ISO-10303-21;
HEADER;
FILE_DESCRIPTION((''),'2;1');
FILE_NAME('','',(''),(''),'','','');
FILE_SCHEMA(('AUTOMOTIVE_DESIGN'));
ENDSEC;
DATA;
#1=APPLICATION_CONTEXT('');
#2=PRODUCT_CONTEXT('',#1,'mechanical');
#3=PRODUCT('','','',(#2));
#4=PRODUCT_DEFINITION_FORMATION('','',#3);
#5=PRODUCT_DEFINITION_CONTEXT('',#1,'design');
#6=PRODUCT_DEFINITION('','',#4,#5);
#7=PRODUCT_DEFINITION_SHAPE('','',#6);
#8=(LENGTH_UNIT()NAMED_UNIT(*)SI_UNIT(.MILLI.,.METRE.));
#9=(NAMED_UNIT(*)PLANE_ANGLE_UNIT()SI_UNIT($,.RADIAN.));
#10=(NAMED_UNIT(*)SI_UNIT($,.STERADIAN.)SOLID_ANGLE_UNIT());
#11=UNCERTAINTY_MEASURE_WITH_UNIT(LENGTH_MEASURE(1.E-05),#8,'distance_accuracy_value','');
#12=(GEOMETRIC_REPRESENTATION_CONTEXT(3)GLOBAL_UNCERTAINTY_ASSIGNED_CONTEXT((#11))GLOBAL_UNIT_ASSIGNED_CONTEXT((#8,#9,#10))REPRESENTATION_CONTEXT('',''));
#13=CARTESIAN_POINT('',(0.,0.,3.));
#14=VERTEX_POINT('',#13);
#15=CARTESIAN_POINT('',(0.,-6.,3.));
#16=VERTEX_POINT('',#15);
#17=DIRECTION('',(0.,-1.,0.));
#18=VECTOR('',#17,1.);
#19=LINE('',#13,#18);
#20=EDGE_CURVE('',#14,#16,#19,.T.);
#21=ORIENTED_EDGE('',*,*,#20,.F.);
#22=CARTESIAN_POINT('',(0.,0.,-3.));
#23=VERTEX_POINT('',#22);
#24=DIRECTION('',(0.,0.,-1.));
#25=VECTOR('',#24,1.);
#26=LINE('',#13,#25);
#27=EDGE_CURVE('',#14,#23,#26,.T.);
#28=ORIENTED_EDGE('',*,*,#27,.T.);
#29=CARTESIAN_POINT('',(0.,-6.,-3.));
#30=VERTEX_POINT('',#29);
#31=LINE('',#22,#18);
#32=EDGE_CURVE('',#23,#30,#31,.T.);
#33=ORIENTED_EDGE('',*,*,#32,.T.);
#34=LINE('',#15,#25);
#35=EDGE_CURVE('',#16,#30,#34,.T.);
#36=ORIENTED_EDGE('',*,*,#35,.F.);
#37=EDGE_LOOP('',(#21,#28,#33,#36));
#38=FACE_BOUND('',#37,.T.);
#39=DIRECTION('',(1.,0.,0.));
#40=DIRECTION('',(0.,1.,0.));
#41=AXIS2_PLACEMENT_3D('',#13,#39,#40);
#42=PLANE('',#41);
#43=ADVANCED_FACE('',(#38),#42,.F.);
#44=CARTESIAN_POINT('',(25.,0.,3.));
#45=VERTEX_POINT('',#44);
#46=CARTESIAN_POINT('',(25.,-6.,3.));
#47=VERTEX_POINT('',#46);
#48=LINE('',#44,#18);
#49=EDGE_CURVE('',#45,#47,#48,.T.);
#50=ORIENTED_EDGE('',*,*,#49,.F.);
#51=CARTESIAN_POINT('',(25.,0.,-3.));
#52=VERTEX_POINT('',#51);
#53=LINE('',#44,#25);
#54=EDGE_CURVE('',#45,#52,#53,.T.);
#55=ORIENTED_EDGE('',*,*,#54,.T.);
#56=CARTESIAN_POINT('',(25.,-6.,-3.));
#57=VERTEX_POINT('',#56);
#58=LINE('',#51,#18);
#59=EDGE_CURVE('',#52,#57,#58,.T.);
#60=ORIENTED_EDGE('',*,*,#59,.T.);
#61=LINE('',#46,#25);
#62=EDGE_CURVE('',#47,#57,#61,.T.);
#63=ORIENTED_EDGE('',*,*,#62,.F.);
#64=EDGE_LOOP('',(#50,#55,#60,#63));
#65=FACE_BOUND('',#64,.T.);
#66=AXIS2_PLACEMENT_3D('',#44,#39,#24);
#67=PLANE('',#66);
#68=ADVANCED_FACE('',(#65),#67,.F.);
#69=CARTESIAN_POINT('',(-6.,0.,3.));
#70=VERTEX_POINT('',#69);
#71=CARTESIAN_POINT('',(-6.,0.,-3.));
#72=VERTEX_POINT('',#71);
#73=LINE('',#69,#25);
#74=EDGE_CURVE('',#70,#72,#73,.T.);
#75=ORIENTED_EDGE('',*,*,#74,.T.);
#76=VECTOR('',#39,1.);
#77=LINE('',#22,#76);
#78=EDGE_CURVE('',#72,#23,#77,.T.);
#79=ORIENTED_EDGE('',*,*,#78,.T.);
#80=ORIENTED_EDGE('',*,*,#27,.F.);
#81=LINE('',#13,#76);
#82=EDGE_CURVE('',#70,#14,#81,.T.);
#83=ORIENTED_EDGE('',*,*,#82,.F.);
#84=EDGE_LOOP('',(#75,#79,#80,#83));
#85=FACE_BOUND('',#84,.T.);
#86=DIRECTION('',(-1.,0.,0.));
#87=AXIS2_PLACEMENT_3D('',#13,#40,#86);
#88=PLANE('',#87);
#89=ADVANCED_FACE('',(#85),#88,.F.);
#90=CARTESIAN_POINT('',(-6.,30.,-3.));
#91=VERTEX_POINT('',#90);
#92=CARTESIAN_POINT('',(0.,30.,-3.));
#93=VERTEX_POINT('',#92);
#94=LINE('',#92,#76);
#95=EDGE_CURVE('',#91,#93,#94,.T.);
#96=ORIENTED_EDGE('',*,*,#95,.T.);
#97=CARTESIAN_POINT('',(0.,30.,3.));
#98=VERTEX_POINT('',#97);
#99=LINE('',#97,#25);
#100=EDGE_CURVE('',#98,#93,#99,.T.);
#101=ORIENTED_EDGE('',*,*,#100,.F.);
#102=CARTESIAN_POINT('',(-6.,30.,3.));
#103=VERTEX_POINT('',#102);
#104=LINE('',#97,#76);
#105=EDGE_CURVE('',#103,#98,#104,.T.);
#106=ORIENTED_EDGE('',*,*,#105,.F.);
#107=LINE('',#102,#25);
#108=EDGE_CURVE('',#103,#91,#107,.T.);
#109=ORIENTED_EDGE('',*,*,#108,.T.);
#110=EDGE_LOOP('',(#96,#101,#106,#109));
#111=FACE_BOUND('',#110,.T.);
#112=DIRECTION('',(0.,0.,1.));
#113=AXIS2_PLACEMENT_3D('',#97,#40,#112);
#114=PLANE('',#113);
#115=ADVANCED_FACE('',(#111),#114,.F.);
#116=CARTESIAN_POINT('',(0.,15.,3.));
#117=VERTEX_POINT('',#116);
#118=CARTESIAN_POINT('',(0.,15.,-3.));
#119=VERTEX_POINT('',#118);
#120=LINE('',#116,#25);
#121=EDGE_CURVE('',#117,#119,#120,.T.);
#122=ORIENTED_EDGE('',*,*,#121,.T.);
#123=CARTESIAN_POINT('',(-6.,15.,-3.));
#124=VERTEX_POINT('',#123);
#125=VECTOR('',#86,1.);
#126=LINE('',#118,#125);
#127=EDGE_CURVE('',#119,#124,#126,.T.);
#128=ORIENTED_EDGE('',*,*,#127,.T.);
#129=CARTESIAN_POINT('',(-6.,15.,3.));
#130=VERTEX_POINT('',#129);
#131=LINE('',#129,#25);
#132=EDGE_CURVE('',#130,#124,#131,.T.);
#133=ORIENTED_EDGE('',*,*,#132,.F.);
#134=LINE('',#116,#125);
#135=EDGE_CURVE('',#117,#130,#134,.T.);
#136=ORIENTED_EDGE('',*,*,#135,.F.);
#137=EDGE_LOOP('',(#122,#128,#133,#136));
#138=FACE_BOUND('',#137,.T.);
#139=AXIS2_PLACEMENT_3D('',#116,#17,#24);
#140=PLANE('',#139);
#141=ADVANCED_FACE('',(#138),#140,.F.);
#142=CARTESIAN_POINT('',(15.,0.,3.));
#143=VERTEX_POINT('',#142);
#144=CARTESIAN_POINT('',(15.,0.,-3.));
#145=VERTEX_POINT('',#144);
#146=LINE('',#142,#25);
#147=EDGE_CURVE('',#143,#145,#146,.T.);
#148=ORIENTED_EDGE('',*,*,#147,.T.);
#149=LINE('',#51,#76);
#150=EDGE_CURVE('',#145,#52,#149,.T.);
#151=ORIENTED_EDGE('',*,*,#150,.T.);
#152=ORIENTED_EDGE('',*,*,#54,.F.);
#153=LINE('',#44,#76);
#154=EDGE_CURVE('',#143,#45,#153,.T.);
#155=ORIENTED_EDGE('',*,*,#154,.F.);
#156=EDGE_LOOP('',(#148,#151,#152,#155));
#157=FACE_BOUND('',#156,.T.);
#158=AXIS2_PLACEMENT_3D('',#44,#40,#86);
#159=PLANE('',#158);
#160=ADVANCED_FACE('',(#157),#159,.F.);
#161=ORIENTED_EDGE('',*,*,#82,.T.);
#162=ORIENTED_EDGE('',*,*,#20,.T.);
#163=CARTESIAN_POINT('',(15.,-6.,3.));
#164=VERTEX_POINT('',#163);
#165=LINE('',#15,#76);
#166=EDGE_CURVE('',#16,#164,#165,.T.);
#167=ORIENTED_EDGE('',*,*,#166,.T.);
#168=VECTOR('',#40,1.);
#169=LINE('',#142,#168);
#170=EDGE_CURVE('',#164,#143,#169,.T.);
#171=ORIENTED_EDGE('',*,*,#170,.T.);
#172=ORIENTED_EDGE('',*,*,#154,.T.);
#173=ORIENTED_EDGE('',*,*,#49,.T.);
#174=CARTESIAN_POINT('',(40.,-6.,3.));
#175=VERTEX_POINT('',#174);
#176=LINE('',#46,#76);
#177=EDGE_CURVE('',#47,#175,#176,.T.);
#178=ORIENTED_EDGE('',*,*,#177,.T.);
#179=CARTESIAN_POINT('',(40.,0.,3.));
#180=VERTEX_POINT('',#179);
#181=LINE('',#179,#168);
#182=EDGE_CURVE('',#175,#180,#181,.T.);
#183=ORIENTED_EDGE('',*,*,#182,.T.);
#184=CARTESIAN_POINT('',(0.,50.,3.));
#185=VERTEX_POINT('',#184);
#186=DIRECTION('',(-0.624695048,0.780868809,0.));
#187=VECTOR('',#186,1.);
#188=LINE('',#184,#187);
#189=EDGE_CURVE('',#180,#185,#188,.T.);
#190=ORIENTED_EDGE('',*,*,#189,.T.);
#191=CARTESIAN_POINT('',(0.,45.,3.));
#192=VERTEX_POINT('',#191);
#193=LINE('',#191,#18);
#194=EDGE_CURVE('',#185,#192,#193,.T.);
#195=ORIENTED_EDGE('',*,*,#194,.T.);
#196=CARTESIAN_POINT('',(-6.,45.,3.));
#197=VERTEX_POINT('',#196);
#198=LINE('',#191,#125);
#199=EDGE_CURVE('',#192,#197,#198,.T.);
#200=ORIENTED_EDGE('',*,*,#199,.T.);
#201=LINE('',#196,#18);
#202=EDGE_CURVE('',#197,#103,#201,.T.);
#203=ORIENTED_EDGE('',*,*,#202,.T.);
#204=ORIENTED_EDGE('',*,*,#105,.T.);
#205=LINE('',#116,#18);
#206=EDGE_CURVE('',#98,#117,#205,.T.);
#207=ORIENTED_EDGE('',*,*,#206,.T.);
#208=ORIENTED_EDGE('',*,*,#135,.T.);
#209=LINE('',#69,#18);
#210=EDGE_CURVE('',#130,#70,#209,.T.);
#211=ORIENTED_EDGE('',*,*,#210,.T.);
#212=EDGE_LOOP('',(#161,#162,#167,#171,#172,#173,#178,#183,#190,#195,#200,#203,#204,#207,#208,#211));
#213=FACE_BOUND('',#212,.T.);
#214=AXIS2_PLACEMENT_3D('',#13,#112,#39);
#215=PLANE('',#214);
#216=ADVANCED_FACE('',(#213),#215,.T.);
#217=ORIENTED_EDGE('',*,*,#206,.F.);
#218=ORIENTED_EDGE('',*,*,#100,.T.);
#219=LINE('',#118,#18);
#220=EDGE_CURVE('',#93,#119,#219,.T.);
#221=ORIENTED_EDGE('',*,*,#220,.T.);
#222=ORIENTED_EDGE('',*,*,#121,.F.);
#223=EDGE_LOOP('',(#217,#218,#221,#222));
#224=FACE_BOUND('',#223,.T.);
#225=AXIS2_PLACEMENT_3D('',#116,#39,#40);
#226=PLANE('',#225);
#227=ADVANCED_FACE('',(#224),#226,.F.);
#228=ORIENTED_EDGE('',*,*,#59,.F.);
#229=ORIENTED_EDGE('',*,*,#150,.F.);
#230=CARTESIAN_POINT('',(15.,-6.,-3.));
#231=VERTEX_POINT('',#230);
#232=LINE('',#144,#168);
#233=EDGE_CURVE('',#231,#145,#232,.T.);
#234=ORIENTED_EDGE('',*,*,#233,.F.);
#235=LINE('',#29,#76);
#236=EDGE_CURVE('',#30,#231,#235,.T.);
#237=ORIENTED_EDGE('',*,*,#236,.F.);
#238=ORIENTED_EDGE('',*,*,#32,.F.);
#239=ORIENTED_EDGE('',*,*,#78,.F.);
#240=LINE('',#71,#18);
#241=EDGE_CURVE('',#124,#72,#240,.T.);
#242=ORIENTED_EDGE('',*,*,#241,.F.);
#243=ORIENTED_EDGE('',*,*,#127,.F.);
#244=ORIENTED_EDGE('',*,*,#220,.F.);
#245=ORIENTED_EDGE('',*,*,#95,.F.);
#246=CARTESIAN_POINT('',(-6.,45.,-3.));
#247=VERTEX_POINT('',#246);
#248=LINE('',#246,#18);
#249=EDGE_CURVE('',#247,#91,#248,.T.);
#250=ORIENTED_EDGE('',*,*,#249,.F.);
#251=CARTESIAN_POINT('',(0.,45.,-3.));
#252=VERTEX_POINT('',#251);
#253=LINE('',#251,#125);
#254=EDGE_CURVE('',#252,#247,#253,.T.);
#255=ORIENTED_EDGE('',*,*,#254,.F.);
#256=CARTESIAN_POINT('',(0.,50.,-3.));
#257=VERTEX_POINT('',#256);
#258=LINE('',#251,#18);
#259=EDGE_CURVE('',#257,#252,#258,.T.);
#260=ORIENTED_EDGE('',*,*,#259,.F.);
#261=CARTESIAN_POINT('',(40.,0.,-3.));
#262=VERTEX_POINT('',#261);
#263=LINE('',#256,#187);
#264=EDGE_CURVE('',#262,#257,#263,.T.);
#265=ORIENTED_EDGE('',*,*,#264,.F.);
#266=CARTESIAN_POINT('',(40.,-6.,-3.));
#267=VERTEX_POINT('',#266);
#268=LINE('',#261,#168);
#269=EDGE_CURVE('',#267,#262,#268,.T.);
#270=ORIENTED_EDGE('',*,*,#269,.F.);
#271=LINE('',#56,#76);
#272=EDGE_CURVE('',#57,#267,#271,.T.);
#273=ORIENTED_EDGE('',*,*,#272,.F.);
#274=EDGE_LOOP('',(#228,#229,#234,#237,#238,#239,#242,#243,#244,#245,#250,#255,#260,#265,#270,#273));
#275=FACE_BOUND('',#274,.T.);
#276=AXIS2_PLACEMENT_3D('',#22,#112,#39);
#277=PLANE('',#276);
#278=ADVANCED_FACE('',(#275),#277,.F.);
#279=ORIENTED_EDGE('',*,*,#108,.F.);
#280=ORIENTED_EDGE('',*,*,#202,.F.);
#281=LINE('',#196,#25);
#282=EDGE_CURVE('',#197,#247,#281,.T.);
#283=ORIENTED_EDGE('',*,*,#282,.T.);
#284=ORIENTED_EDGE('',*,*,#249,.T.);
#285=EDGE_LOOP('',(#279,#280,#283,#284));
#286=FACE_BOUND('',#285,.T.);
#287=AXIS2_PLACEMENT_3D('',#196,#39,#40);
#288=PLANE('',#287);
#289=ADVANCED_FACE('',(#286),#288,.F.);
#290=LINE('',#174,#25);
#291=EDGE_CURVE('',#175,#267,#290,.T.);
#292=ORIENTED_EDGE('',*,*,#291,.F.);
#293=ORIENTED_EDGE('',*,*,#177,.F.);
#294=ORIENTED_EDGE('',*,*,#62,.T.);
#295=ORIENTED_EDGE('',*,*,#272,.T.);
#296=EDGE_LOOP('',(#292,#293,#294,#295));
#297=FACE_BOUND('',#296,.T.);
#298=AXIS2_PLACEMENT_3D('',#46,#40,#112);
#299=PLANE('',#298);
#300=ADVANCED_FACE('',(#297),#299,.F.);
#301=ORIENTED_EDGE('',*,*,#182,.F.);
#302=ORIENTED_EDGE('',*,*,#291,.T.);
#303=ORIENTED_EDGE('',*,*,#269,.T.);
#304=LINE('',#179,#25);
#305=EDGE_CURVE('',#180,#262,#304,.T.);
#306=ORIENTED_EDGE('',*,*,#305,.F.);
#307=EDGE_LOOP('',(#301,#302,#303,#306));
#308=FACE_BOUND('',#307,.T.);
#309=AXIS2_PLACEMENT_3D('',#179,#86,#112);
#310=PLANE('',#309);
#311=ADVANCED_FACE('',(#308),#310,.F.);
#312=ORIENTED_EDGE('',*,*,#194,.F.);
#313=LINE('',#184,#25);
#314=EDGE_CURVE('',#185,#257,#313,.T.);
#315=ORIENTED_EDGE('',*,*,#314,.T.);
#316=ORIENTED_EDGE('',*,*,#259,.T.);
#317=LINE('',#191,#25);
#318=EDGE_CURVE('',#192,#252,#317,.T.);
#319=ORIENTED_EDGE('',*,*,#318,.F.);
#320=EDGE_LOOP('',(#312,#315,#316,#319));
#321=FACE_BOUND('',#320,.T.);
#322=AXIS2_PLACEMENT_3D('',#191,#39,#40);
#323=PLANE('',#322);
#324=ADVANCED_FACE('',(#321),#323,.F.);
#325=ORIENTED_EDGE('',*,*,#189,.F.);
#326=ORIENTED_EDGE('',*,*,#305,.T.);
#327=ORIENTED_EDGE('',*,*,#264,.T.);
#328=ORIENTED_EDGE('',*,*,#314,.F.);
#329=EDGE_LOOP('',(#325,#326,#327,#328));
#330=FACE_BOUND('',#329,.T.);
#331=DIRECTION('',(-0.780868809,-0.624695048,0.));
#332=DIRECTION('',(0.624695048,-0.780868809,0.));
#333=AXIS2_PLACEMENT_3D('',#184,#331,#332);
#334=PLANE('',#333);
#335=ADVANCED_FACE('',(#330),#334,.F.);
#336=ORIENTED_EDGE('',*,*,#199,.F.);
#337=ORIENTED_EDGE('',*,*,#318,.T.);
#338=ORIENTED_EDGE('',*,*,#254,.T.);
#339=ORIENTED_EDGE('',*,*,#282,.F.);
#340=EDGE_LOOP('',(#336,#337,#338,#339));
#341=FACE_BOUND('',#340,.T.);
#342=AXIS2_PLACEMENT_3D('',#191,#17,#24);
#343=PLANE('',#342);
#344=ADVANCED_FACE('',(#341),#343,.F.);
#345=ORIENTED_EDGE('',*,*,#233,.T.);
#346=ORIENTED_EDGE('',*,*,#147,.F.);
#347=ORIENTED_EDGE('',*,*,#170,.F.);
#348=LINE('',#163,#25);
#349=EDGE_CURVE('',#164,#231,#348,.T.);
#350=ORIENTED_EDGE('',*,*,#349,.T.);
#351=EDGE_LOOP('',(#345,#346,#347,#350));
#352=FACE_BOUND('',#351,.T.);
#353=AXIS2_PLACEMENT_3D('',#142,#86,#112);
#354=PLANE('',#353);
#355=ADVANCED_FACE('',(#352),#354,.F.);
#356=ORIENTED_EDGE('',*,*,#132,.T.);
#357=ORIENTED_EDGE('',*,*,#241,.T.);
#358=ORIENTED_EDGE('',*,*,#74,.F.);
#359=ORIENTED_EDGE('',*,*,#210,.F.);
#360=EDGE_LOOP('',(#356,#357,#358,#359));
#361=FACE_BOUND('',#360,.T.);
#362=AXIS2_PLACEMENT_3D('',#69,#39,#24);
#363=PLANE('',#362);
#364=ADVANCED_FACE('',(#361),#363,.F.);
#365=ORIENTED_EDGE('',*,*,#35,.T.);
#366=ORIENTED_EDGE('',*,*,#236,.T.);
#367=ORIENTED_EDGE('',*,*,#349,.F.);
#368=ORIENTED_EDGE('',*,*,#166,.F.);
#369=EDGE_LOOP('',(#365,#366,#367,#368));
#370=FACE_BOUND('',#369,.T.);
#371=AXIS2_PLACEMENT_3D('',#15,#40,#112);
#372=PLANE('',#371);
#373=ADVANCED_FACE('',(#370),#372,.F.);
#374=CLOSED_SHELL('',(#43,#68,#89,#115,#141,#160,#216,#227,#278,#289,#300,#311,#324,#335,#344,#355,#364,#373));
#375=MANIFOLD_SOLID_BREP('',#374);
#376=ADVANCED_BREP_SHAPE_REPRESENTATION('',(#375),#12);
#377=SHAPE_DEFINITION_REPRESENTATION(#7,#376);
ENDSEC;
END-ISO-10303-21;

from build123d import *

# Parameters (mm, degrees)
SALIENTE_EXTRUIR1_DEPTH = 3


with BuildPart() as part:
    # Croquis1 → Saliente-Extruir1 (new, symmetric)
    with BuildSketch(Plane.XY):
        Polygon((0, 15), (0, 30), (-6, 30), (-6, 45), (0, 45), (0, 50), (40, 0), (40, -6), (25, -6), (25, 0), (15, 0), (15, -6), (0, -6), (0, 0), (-6, 0), (-6, 15), align=None)
    extrude(amount=SALIENTE_EXTRUIR1_DEPTH, both=True)


solid = part.part
